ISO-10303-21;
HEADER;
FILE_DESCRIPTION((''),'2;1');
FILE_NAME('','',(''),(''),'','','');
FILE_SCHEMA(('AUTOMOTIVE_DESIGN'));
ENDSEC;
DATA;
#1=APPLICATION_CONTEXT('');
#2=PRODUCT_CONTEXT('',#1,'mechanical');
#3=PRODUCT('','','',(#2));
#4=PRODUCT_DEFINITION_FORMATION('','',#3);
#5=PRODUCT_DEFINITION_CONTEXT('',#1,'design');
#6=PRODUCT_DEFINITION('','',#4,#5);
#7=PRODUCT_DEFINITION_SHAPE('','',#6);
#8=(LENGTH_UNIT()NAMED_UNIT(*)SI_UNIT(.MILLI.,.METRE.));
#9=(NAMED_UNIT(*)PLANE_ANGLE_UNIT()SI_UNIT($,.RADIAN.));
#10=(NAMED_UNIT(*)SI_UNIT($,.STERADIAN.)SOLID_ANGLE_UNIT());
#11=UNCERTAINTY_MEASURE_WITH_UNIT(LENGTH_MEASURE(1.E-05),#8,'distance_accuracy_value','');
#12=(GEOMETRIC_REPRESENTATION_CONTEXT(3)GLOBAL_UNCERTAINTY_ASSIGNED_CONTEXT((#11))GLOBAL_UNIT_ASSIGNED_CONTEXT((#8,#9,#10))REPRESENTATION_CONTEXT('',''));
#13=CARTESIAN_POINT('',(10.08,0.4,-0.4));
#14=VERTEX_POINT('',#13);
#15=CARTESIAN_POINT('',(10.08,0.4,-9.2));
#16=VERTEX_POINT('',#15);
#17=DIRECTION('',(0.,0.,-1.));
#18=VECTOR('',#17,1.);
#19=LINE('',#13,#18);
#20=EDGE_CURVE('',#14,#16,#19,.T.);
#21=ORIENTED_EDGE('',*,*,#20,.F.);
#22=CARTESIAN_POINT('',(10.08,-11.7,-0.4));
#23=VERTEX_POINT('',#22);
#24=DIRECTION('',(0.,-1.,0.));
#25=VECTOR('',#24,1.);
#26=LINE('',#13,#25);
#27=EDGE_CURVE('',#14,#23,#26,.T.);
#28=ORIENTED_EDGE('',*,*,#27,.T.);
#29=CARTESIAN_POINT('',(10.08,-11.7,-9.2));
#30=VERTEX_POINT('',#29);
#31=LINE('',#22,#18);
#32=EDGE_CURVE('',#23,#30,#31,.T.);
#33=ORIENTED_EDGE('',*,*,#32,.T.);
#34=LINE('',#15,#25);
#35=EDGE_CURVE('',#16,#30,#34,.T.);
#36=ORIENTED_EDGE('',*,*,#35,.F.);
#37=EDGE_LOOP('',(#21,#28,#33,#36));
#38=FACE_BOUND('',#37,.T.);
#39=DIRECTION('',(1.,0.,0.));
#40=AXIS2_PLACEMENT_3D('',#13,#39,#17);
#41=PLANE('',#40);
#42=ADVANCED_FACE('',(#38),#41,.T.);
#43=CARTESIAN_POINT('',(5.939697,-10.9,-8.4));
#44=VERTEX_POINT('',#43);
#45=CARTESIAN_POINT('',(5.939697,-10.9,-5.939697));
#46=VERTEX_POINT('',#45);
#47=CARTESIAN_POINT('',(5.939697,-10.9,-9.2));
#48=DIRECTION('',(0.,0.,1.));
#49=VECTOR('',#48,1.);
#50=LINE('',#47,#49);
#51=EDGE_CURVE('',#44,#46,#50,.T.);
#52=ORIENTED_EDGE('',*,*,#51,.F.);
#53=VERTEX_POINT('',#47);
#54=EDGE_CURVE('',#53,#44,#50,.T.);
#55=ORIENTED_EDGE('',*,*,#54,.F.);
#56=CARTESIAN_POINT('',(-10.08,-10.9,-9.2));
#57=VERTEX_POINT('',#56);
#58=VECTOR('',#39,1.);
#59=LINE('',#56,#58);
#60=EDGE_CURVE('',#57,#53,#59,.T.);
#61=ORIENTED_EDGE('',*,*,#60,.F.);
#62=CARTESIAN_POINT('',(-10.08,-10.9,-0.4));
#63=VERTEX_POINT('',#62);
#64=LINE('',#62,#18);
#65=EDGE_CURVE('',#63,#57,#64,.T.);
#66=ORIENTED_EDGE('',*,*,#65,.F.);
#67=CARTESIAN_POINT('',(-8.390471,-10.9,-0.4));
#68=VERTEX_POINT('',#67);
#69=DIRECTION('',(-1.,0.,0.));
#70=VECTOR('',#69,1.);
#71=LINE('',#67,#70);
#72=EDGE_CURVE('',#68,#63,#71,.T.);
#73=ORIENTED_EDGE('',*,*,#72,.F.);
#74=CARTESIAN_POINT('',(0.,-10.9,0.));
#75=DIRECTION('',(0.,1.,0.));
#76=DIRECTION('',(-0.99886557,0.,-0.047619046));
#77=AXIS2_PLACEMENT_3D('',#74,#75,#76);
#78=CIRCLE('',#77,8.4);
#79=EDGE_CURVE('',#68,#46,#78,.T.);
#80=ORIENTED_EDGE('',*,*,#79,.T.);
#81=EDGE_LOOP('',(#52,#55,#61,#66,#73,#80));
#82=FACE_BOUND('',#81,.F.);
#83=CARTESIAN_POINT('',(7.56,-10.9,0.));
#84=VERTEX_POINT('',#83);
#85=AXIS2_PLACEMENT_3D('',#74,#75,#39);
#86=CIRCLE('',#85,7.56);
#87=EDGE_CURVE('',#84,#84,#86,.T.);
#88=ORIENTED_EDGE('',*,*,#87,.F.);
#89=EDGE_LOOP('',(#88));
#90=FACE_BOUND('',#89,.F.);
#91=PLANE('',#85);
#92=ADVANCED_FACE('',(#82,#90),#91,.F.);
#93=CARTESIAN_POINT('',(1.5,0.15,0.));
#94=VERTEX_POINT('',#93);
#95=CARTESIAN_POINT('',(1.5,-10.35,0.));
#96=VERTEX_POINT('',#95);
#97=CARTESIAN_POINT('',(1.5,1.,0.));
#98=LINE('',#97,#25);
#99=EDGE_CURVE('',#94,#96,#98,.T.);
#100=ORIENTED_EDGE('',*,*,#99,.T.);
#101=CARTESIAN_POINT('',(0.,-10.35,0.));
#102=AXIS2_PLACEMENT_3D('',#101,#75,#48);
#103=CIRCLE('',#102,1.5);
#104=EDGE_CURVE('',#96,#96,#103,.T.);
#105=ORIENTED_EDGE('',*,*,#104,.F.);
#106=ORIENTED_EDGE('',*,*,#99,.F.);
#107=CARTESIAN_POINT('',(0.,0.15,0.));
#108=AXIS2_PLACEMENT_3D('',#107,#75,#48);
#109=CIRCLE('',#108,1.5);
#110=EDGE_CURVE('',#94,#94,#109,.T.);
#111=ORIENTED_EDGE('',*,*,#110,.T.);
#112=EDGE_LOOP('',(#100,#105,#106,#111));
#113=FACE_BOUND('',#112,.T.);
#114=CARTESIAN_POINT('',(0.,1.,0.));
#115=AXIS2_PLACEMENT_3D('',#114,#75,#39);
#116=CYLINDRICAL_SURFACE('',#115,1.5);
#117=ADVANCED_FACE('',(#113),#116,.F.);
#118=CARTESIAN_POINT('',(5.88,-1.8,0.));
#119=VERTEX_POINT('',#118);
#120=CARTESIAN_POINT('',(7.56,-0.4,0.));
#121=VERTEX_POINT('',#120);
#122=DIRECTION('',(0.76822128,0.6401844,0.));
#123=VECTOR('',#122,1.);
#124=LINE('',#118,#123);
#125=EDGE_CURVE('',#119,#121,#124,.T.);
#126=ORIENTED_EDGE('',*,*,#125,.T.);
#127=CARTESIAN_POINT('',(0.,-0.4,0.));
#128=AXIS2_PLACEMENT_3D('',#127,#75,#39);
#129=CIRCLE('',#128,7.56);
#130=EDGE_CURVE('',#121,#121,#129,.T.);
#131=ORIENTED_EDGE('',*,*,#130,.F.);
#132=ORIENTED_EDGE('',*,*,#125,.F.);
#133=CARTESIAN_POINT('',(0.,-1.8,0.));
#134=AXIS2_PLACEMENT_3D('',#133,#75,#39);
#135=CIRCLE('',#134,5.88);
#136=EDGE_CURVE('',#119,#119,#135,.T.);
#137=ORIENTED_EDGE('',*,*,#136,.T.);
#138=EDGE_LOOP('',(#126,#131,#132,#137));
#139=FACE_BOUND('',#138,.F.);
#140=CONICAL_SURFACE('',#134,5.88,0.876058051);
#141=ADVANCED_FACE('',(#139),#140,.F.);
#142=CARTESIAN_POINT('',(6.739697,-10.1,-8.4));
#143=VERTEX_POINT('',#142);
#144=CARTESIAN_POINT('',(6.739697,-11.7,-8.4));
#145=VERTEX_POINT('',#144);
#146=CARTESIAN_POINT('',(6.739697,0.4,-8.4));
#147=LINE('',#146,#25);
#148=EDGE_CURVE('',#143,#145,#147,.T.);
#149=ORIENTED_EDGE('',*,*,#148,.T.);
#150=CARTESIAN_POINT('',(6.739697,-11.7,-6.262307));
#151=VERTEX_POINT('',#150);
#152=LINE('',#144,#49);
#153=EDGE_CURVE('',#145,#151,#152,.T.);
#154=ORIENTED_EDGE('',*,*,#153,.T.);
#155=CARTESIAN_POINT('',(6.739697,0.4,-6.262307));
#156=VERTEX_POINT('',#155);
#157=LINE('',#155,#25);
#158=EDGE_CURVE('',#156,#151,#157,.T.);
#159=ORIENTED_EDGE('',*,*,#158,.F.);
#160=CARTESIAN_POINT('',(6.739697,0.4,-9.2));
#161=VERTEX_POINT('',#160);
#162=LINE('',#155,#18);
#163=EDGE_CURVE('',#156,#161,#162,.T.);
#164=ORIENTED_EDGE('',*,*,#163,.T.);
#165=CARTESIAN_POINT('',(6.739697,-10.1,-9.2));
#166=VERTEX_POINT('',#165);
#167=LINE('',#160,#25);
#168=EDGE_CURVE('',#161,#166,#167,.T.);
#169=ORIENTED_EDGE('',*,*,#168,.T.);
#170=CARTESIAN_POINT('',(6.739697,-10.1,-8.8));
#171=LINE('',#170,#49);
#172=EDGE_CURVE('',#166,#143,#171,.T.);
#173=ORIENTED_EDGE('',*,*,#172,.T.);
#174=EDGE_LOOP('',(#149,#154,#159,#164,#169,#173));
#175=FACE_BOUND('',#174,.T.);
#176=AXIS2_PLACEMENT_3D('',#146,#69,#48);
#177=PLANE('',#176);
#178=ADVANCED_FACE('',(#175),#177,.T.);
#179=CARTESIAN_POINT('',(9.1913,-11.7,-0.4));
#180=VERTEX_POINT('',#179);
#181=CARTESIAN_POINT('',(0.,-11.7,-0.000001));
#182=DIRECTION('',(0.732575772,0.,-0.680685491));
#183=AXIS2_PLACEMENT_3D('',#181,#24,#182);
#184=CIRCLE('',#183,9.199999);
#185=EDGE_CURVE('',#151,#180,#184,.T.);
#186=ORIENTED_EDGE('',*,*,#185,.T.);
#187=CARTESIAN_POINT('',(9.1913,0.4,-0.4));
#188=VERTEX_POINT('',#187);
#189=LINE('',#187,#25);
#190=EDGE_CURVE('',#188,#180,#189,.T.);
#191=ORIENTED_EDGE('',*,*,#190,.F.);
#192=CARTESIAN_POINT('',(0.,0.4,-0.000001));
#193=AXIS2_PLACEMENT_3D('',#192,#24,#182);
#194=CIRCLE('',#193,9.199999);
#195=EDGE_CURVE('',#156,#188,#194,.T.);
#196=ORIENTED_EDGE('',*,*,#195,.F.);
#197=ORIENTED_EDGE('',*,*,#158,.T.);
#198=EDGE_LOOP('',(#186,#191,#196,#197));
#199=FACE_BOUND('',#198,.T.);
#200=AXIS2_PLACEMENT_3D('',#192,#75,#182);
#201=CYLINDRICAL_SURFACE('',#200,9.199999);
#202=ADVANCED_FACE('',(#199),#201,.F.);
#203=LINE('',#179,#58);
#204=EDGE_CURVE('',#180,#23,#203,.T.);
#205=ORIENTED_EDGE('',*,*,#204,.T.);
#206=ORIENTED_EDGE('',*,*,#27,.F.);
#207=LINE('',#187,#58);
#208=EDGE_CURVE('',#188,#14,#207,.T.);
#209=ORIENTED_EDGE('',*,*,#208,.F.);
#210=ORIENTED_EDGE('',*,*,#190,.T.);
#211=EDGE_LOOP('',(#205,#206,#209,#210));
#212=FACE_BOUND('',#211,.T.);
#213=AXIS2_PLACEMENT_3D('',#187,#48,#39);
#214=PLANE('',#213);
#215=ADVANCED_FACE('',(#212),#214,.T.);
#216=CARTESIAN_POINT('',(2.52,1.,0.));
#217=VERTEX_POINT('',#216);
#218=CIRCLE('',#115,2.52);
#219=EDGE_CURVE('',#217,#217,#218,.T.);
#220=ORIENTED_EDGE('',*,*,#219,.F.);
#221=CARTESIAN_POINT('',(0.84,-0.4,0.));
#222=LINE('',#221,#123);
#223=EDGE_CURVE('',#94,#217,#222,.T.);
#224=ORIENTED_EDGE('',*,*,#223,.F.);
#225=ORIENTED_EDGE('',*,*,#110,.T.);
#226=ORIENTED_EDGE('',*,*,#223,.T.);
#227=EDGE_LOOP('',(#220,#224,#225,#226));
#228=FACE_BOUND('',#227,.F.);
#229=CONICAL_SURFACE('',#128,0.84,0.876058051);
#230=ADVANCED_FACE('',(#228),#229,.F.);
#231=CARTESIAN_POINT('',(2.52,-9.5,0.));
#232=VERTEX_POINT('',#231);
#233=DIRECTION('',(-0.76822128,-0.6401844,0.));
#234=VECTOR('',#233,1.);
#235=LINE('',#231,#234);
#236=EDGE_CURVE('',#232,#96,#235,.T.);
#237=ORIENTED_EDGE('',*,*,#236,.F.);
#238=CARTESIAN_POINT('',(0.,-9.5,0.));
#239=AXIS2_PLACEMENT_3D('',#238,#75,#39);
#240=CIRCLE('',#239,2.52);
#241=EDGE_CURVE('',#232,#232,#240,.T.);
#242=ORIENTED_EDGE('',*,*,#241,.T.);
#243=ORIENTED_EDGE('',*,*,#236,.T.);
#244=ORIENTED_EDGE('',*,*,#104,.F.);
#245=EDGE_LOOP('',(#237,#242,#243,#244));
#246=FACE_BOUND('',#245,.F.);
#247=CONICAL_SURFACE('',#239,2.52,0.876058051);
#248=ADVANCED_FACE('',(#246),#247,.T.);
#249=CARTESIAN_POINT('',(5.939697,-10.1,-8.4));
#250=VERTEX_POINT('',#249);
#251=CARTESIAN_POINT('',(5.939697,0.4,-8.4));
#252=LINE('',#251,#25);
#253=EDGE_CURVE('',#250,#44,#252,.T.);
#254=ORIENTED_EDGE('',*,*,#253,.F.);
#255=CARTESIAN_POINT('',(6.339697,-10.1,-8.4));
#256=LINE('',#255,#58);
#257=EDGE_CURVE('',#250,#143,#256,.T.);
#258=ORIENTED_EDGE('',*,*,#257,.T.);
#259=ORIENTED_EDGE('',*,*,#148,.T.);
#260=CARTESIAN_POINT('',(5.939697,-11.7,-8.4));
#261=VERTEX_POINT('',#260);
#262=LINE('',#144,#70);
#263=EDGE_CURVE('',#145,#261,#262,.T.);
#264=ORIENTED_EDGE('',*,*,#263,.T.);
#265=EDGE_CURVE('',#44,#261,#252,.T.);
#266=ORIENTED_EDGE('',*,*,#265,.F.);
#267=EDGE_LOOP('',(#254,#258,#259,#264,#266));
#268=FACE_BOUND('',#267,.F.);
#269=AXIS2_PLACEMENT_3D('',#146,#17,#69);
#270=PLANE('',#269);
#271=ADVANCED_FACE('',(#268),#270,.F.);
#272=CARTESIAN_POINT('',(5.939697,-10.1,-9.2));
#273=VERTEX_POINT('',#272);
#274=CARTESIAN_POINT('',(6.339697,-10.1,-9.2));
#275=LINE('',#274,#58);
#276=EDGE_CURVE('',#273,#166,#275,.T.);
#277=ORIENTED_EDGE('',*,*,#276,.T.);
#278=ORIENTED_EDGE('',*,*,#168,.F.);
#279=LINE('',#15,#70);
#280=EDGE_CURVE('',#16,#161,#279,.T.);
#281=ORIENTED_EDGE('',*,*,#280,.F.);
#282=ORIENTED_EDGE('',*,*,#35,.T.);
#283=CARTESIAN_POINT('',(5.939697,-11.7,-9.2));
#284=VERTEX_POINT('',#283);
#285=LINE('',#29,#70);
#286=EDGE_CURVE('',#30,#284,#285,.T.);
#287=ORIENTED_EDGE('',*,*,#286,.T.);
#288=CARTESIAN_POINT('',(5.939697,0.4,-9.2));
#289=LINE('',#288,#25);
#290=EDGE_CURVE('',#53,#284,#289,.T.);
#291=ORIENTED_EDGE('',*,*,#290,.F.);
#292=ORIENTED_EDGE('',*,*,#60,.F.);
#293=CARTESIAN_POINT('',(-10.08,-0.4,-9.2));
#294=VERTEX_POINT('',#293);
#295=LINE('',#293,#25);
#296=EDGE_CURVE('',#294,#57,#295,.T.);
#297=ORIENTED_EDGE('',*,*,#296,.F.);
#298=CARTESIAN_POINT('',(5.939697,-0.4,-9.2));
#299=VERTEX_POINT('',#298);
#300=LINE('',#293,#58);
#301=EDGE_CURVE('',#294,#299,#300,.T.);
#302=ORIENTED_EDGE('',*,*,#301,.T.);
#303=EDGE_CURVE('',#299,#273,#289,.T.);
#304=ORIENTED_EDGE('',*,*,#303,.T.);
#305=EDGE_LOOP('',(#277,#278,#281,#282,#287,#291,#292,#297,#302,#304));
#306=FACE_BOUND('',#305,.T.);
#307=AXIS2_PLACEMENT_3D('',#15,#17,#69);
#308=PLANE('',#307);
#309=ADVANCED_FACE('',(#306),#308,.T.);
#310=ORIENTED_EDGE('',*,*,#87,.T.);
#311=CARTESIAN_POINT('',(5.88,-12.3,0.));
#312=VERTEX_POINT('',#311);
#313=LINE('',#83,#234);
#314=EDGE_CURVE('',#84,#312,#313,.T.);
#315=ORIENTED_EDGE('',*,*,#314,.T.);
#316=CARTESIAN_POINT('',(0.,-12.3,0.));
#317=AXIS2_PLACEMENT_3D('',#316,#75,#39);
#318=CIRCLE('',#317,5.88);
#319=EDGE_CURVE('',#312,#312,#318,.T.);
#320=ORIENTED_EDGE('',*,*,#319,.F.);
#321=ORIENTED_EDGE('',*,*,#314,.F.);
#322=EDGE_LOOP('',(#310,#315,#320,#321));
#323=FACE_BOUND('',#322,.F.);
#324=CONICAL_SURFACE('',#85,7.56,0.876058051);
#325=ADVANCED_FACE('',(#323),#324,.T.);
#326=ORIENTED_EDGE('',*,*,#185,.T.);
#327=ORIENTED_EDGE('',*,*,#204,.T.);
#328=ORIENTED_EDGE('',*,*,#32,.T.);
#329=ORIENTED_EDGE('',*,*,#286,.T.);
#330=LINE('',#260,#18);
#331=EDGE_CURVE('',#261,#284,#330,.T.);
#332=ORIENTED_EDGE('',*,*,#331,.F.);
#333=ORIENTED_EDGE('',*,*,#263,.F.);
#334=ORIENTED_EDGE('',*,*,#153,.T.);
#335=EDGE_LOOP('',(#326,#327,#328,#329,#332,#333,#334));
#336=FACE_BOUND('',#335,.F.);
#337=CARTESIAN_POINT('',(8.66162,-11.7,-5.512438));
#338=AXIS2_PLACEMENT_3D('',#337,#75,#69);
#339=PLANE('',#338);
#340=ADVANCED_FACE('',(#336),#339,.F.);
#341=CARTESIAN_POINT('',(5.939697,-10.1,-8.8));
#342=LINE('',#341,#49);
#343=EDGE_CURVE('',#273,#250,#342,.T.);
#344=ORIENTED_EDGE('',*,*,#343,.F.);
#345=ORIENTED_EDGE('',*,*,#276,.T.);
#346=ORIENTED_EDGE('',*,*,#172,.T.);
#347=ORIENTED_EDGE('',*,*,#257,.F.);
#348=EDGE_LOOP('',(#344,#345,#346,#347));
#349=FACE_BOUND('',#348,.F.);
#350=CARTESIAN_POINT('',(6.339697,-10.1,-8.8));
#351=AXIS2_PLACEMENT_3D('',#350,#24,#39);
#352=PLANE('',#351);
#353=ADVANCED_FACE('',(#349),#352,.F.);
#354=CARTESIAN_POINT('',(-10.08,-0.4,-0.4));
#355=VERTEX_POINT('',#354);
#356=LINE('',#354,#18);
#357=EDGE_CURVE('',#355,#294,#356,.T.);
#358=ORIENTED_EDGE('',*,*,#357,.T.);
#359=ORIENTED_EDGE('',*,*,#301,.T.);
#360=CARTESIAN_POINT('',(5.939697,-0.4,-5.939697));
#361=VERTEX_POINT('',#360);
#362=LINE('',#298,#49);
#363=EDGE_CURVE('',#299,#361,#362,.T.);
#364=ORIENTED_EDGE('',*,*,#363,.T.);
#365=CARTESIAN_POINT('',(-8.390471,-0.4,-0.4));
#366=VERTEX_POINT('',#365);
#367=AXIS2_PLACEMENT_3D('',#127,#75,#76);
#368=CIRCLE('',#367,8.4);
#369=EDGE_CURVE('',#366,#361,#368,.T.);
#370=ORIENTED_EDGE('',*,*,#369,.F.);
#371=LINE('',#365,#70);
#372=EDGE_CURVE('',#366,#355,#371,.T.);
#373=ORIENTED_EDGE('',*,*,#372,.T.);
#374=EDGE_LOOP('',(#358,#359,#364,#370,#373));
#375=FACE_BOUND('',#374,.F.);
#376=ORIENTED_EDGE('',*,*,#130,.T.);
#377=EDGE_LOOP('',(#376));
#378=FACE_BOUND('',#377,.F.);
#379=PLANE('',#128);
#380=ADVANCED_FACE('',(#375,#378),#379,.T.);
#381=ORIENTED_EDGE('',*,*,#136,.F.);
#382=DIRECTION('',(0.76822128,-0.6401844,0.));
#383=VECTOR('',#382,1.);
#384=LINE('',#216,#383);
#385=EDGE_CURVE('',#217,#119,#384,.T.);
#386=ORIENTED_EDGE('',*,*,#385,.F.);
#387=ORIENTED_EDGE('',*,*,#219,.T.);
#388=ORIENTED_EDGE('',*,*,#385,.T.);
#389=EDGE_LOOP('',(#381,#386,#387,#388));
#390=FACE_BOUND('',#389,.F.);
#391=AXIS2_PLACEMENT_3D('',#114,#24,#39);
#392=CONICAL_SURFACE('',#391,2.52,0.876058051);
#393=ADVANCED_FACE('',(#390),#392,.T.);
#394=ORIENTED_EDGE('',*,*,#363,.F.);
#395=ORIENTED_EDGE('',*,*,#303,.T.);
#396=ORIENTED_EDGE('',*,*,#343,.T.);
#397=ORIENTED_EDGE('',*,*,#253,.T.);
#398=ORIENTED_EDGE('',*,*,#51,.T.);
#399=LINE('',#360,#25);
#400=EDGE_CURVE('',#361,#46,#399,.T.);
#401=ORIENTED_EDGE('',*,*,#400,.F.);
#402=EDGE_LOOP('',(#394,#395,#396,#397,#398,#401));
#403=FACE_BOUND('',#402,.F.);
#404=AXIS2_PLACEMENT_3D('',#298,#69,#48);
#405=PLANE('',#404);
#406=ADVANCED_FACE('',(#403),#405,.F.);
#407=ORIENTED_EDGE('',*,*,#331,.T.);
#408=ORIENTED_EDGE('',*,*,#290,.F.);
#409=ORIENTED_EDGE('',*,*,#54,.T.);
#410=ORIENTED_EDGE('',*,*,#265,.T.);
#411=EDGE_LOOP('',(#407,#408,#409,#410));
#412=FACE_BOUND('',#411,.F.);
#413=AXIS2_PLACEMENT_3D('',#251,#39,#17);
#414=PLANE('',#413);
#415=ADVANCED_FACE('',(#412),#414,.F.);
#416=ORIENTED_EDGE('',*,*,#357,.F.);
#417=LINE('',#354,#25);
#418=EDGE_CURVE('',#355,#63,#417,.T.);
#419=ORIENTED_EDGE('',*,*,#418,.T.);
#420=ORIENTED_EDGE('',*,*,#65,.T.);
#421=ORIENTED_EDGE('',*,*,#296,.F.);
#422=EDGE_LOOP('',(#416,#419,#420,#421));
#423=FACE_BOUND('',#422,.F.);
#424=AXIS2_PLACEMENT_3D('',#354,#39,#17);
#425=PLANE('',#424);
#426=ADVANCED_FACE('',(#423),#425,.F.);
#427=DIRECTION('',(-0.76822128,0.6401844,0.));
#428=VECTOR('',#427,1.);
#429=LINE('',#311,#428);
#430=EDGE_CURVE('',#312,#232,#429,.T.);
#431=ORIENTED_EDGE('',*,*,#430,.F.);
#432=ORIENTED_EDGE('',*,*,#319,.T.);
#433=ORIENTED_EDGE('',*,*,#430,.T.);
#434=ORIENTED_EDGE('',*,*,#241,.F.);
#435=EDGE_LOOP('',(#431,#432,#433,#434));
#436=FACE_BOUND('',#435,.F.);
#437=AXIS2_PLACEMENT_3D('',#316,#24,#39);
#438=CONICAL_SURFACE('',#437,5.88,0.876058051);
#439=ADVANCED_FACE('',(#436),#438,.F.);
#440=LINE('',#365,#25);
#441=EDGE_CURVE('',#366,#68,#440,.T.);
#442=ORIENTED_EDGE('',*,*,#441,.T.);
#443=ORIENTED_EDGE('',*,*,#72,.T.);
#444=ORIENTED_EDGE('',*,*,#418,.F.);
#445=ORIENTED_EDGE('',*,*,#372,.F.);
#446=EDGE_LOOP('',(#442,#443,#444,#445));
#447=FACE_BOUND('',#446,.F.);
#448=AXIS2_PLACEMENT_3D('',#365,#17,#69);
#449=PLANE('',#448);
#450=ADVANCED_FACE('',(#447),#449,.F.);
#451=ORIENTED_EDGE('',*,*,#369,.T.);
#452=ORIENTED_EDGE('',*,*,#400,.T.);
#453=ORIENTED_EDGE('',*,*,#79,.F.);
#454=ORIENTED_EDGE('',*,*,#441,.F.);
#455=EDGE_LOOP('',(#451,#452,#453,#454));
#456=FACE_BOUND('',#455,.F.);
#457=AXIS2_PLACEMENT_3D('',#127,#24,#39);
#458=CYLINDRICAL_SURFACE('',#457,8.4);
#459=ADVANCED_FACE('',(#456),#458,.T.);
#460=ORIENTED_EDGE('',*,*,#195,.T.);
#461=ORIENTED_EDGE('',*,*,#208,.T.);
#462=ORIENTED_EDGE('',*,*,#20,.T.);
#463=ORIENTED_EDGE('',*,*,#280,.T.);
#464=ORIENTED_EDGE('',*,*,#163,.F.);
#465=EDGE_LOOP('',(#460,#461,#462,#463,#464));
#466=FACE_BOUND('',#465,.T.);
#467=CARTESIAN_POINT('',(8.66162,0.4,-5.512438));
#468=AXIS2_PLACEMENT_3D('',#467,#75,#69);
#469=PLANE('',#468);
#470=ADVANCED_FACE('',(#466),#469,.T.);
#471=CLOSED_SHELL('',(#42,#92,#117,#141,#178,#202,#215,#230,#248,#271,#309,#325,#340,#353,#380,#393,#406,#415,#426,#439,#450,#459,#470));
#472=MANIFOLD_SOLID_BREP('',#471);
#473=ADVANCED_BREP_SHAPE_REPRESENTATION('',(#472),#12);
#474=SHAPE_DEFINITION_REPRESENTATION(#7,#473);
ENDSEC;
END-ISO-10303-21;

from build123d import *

# Parameters (mm, degrees)
SKETCH014_R     = 1.5
POCKET002_DEPTH = 21
PAD010_DEPTH    = 10.5
PAD011_DEPTH    = 12.1
SKETCH046_W     = 0.8
SKETCH046_H     = 0.8
POCKET004_DEPTH = 10.5


with BuildPart() as part:
    # Sketch011 → Revolution004 (revolve)
    with BuildSketch(Plane.XY):
        Polygon((0, -0.4), (0.84, -0.4), (2.52, 1), (5.88, -1.8), (7.56, -0.4), (8.4, -0.4), (8.4, -10.9), (7.56, -10.9), (5.88, -12.3), (2.52, -9.5), (0.84, -10.9), (0, -10.9), align=None)
    revolve(axis=Axis((0, 0, 0), (0, 1, 0)))

    # Sketch014 → Pocket002 (cut)
    with BuildSketch(Plane.XZ.offset(-1)):
        Circle(SKETCH014_R)
    extrude(amount=POCKET002_DEPTH, mode=Mode.SUBTRACT)

    # Sketch025 → Pad010 (join)
    with BuildSketch(Plane.XZ.offset(0.4)):
        with BuildLine():
            Line((-10.08, -0.4), (-10.08, -9.2))
            Line((-10.08, -9.2), (5.939697, -9.2))
            Line((5.939697, -9.2), (5.939697, -5.939697))
            ThreePointArc((-8.390471, -0.4), (-3.028801, -7.834945), (5.939697, -5.939697))
            Line((-8.390471, -0.4), (-10.08, -0.4))
        make_face()
    extrude(amount=PAD010_DEPTH)

    # Sketch026 → Pad011 (join)
    with BuildSketch(Plane.XZ.offset(-0.4)):
        with BuildLine():
            ThreePointArc((6.739697, -6.262307), (8.487687, -3.549531), (9.1913, -0.4))
            Line((9.1913, -0.4), (10.08, -0.4))
            Line((10.08, -0.4), (10.08, -9.2))
            Line((10.08, -9.2), (5.939697, -9.2))
            Line((5.939697, -8.4), (5.939697, -9.2))
            Line((6.739697, -8.4), (5.939697, -8.4))
            Line((6.739697, -8.4), (6.739697, -6.262307))
        make_face()
    extrude(amount=PAD011_DEPTH)

    # Sketch046 → Pocket004 (cut)
    with BuildSketch(Plane.XZ.offset(-0.4)):
        with Locations((6.339697, -8.8)):
            Rectangle(SKETCH046_W, SKETCH046_H)
    extrude(amount=POCKET004_DEPTH, mode=Mode.SUBTRACT)


solid = part.part
